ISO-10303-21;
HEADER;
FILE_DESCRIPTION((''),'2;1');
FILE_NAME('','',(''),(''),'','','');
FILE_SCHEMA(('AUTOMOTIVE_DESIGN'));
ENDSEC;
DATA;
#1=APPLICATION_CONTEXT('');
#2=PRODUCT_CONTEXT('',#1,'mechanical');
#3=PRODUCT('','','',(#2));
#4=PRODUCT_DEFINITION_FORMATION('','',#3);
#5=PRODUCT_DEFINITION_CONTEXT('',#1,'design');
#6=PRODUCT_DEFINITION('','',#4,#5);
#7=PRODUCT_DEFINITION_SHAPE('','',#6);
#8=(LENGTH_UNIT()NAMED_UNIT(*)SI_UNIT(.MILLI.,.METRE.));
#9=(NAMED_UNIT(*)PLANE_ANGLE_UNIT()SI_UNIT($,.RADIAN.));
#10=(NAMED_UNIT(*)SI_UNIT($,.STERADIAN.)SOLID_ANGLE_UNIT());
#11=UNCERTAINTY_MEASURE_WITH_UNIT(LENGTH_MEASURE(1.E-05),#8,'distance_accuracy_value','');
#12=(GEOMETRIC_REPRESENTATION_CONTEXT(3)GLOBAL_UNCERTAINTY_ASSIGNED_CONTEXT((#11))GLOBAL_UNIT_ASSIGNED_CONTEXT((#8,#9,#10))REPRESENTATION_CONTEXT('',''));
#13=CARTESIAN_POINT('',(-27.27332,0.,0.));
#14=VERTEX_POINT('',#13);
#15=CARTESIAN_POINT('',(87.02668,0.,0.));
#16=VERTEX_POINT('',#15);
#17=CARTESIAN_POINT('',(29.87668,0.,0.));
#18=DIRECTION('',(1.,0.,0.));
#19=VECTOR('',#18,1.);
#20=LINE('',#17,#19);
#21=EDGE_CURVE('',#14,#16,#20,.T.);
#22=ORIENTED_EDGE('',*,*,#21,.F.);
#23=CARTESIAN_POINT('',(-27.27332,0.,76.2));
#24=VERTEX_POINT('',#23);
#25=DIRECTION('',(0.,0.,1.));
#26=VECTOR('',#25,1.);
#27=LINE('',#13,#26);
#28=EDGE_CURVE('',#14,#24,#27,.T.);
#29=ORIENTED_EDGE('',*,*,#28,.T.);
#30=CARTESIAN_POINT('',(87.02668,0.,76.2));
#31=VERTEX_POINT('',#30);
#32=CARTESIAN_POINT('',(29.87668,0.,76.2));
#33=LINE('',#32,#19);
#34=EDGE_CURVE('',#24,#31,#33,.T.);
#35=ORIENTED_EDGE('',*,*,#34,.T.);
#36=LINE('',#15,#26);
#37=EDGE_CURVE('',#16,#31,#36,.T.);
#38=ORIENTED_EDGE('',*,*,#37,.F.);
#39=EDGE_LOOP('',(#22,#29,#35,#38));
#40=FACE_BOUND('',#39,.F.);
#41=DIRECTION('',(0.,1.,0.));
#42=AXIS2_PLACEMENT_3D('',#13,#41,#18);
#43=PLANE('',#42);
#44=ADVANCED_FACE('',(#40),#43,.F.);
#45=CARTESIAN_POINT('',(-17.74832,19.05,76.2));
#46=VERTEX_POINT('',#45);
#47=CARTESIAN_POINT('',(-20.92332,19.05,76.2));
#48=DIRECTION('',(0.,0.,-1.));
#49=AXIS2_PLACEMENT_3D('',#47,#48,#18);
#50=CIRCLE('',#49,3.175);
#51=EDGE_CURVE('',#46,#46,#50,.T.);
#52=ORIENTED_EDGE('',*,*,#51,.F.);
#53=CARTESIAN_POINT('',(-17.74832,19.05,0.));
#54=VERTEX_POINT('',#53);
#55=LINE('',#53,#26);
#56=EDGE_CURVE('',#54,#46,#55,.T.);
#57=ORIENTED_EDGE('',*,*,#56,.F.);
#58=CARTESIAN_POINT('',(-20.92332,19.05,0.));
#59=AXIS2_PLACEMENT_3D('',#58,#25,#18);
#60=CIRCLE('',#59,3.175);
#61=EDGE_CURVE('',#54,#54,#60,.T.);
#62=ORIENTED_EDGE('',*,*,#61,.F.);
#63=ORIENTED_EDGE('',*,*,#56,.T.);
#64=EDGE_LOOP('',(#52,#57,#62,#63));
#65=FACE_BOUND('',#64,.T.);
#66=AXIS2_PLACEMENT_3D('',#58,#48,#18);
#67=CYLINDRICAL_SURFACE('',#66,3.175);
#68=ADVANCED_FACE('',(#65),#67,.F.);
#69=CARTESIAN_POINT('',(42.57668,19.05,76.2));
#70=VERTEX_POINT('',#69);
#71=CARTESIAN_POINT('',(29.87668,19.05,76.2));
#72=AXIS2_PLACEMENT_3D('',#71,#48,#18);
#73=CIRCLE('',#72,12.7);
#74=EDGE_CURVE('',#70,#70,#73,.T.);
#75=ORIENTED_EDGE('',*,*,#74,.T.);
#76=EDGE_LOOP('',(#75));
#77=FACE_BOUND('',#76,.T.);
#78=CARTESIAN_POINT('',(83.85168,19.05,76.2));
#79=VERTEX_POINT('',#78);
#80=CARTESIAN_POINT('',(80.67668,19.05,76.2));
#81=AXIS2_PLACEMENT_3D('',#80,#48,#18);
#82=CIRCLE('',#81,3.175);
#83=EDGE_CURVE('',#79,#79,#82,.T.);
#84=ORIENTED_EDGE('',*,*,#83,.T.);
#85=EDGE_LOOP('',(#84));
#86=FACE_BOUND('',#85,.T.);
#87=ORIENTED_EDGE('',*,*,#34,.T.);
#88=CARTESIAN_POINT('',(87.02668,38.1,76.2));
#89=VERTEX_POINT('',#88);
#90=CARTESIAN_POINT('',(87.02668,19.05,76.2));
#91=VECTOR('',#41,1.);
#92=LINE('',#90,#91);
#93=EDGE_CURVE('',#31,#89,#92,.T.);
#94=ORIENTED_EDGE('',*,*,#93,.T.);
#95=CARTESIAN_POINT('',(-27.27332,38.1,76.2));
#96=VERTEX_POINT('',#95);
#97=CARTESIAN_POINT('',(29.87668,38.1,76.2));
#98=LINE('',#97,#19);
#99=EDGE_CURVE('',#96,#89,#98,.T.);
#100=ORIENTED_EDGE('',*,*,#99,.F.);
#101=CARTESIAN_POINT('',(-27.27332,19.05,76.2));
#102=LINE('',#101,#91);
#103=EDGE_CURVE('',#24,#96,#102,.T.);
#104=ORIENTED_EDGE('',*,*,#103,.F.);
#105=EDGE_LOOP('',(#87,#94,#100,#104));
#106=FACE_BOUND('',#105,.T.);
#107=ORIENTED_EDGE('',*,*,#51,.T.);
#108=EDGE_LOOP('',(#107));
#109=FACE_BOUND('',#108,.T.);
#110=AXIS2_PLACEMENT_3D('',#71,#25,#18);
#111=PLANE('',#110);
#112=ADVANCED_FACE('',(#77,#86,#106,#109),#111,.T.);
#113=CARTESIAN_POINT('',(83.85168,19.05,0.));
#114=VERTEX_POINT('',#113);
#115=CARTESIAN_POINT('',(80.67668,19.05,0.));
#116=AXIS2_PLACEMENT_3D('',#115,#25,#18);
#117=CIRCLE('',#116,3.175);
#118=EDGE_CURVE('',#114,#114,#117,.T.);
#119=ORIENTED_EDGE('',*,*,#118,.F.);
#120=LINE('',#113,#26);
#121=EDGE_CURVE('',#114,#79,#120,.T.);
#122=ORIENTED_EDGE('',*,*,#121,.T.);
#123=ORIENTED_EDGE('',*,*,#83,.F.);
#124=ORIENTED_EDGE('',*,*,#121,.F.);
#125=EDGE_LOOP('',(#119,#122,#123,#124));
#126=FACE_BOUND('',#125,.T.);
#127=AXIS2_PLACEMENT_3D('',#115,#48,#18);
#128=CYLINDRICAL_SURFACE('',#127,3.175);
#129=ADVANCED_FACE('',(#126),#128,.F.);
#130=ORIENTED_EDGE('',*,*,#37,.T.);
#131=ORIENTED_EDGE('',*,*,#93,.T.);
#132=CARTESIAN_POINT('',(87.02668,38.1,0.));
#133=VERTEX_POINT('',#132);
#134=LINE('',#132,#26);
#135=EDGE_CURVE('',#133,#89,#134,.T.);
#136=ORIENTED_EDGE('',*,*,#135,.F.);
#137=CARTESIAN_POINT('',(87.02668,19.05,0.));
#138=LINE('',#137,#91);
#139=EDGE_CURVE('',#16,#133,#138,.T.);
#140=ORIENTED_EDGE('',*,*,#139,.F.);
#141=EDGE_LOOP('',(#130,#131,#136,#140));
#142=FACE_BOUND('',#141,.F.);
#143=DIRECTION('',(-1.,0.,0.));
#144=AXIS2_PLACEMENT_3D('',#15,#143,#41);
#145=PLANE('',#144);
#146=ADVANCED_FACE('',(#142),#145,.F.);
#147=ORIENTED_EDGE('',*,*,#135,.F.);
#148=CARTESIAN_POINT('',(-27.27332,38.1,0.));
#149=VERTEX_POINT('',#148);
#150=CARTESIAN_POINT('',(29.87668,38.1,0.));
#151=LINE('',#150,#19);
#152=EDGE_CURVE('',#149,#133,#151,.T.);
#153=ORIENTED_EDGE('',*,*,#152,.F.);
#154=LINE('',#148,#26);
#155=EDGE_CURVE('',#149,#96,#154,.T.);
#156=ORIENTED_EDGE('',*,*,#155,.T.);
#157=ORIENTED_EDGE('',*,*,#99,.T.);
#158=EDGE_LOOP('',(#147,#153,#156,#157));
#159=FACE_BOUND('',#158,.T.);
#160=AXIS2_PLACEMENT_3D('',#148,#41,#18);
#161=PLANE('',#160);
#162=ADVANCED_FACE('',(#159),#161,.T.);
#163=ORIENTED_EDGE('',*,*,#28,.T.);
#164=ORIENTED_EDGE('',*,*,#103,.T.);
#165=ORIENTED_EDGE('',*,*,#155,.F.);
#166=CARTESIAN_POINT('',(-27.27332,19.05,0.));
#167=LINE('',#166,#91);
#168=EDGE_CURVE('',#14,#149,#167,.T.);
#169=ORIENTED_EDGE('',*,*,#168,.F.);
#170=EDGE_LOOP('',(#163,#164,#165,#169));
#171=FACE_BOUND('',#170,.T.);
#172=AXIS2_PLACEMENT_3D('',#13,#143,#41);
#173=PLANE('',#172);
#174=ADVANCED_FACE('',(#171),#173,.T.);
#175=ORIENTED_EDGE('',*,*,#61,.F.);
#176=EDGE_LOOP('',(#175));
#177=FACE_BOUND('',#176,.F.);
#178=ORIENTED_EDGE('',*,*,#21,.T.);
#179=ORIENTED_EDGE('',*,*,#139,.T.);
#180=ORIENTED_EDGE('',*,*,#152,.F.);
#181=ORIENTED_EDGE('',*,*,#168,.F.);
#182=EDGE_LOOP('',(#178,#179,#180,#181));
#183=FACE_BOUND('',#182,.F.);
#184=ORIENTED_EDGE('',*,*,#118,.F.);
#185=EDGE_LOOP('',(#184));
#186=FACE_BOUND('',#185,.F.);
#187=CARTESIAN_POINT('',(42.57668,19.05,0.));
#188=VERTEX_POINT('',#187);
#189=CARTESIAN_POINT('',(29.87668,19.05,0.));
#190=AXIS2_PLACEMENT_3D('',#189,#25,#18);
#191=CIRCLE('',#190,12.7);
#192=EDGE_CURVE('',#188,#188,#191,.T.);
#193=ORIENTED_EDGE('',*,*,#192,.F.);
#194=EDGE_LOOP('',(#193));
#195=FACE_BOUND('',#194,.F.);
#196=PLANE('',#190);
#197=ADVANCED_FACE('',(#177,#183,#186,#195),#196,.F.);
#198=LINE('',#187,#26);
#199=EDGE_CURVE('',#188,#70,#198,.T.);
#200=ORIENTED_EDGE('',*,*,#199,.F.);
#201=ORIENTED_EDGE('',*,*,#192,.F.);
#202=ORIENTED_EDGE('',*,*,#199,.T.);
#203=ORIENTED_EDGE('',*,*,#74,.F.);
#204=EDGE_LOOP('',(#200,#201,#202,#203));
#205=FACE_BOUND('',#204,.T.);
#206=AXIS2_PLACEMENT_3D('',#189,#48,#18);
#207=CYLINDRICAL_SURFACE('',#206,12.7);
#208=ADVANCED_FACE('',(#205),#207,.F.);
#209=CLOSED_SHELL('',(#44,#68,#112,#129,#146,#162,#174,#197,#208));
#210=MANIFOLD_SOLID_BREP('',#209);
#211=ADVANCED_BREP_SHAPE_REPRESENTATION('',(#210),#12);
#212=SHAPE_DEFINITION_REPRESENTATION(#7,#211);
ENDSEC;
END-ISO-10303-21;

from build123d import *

# Parameters (mm, degrees)
F0_W     = 114.3
F0_H     = 38.1
F1_DEPTH = 76.2
F2_R     = 12.7
F3_DEPTH = 85.598
F4_R     = 3.175
F5_DEPTH = 90.678
F6_R     = 3.175
F7_DEPTH = 90.678


with BuildPart() as f1:
    # F0 (on Top) → F1 (new body)
    with BuildSketch(Plane.XY):
        with Locations((29.87668, 19.05)):
            Rectangle(F0_W, F0_H)
    extrude(amount=F1_DEPTH)

    # F2 (on Top) → F3 (cut)
    with BuildSketch(Plane.XY):
        with Locations((29.87668, 19.05)):
            Circle(F2_R)
    extrude(amount=F3_DEPTH, mode=Mode.SUBTRACT)

    # F4 (on Top) → F5 (cut)
    with BuildSketch(Plane.XY):
        with Locations((-20.92332, 19.05)):
            Circle(F4_R)
    extrude(amount=F5_DEPTH, mode=Mode.SUBTRACT)

    # F6 (on Top) → F7 (cut)
    with BuildSketch(Plane.XY):
        with Locations((80.67668, 19.05)):
            Circle(F6_R)
    extrude(amount=F7_DEPTH, mode=Mode.SUBTRACT)


solid = f1.part
